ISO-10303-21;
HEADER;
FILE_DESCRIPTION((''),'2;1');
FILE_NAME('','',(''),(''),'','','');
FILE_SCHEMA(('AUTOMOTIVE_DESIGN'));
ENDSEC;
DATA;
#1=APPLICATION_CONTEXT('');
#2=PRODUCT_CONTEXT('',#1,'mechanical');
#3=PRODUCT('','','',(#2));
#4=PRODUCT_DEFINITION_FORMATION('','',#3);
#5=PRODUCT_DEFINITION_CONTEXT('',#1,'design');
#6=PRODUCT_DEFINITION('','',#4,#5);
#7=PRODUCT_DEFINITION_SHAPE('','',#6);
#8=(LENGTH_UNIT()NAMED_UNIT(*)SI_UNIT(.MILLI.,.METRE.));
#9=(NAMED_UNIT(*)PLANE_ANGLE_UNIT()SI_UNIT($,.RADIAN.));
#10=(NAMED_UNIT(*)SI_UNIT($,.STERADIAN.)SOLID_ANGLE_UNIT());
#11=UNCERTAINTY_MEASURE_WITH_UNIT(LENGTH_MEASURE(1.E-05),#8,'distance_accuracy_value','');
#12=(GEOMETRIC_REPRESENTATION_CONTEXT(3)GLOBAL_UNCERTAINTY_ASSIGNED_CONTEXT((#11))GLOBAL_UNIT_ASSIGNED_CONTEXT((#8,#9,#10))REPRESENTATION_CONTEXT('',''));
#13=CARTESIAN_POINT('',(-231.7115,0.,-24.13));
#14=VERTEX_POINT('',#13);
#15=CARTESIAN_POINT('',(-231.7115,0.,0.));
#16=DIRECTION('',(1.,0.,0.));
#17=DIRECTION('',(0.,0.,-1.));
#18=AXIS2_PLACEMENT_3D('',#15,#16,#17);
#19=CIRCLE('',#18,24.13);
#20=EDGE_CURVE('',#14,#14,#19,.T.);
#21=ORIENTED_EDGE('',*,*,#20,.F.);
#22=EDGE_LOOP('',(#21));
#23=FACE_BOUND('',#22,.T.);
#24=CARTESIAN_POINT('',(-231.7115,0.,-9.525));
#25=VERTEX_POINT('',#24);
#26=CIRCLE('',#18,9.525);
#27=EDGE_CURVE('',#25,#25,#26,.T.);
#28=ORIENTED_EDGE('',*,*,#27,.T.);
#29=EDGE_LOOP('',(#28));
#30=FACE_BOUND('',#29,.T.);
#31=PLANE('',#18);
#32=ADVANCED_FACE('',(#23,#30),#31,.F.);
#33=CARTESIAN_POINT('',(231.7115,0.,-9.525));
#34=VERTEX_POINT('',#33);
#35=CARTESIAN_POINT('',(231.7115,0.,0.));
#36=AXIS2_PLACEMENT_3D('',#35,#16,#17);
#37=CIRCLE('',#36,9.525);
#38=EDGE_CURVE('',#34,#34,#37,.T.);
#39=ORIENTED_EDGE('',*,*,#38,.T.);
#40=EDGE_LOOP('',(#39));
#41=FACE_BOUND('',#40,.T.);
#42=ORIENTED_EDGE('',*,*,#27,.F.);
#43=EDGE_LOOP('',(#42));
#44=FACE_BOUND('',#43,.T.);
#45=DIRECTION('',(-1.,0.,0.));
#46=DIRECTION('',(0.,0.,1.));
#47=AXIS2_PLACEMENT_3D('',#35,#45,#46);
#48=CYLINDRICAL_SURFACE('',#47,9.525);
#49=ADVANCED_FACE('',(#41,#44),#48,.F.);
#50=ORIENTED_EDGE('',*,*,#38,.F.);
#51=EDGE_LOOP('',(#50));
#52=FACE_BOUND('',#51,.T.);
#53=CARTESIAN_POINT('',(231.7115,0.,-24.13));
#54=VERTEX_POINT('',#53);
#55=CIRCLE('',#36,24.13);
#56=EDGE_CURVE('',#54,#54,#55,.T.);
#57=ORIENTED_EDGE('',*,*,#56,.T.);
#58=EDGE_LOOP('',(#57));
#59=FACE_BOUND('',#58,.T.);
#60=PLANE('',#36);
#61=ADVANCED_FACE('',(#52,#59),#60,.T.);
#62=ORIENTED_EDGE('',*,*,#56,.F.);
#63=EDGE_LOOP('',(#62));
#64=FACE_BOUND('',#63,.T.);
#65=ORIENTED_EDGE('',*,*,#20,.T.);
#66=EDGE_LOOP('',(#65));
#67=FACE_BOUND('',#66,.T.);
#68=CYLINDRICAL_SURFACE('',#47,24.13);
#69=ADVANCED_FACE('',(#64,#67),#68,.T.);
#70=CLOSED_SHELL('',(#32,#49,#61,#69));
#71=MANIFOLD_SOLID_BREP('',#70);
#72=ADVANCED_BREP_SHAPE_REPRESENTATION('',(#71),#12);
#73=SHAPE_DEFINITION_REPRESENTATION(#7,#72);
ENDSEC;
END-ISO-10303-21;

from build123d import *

# Parameters (mm, degrees)
SKETCH1_R           = 24.13
SKETCH1_R_2         = 9.525
BOSS_EXTRUDE1_DEPTH = 231.7115


with BuildPart() as part:
    # Sketch1 → Boss-Extrude1 (new body, symmetric)
    with BuildSketch(Plane(origin=(0, 0, 0), x_dir=(0, 0, -1), z_dir=(1, 0, 0))):
        Circle(SKETCH1_R)
        Circle(SKETCH1_R_2, mode=Mode.SUBTRACT)
    extrude(amount=BOSS_EXTRUDE1_DEPTH, both=True)


solid = part.part
